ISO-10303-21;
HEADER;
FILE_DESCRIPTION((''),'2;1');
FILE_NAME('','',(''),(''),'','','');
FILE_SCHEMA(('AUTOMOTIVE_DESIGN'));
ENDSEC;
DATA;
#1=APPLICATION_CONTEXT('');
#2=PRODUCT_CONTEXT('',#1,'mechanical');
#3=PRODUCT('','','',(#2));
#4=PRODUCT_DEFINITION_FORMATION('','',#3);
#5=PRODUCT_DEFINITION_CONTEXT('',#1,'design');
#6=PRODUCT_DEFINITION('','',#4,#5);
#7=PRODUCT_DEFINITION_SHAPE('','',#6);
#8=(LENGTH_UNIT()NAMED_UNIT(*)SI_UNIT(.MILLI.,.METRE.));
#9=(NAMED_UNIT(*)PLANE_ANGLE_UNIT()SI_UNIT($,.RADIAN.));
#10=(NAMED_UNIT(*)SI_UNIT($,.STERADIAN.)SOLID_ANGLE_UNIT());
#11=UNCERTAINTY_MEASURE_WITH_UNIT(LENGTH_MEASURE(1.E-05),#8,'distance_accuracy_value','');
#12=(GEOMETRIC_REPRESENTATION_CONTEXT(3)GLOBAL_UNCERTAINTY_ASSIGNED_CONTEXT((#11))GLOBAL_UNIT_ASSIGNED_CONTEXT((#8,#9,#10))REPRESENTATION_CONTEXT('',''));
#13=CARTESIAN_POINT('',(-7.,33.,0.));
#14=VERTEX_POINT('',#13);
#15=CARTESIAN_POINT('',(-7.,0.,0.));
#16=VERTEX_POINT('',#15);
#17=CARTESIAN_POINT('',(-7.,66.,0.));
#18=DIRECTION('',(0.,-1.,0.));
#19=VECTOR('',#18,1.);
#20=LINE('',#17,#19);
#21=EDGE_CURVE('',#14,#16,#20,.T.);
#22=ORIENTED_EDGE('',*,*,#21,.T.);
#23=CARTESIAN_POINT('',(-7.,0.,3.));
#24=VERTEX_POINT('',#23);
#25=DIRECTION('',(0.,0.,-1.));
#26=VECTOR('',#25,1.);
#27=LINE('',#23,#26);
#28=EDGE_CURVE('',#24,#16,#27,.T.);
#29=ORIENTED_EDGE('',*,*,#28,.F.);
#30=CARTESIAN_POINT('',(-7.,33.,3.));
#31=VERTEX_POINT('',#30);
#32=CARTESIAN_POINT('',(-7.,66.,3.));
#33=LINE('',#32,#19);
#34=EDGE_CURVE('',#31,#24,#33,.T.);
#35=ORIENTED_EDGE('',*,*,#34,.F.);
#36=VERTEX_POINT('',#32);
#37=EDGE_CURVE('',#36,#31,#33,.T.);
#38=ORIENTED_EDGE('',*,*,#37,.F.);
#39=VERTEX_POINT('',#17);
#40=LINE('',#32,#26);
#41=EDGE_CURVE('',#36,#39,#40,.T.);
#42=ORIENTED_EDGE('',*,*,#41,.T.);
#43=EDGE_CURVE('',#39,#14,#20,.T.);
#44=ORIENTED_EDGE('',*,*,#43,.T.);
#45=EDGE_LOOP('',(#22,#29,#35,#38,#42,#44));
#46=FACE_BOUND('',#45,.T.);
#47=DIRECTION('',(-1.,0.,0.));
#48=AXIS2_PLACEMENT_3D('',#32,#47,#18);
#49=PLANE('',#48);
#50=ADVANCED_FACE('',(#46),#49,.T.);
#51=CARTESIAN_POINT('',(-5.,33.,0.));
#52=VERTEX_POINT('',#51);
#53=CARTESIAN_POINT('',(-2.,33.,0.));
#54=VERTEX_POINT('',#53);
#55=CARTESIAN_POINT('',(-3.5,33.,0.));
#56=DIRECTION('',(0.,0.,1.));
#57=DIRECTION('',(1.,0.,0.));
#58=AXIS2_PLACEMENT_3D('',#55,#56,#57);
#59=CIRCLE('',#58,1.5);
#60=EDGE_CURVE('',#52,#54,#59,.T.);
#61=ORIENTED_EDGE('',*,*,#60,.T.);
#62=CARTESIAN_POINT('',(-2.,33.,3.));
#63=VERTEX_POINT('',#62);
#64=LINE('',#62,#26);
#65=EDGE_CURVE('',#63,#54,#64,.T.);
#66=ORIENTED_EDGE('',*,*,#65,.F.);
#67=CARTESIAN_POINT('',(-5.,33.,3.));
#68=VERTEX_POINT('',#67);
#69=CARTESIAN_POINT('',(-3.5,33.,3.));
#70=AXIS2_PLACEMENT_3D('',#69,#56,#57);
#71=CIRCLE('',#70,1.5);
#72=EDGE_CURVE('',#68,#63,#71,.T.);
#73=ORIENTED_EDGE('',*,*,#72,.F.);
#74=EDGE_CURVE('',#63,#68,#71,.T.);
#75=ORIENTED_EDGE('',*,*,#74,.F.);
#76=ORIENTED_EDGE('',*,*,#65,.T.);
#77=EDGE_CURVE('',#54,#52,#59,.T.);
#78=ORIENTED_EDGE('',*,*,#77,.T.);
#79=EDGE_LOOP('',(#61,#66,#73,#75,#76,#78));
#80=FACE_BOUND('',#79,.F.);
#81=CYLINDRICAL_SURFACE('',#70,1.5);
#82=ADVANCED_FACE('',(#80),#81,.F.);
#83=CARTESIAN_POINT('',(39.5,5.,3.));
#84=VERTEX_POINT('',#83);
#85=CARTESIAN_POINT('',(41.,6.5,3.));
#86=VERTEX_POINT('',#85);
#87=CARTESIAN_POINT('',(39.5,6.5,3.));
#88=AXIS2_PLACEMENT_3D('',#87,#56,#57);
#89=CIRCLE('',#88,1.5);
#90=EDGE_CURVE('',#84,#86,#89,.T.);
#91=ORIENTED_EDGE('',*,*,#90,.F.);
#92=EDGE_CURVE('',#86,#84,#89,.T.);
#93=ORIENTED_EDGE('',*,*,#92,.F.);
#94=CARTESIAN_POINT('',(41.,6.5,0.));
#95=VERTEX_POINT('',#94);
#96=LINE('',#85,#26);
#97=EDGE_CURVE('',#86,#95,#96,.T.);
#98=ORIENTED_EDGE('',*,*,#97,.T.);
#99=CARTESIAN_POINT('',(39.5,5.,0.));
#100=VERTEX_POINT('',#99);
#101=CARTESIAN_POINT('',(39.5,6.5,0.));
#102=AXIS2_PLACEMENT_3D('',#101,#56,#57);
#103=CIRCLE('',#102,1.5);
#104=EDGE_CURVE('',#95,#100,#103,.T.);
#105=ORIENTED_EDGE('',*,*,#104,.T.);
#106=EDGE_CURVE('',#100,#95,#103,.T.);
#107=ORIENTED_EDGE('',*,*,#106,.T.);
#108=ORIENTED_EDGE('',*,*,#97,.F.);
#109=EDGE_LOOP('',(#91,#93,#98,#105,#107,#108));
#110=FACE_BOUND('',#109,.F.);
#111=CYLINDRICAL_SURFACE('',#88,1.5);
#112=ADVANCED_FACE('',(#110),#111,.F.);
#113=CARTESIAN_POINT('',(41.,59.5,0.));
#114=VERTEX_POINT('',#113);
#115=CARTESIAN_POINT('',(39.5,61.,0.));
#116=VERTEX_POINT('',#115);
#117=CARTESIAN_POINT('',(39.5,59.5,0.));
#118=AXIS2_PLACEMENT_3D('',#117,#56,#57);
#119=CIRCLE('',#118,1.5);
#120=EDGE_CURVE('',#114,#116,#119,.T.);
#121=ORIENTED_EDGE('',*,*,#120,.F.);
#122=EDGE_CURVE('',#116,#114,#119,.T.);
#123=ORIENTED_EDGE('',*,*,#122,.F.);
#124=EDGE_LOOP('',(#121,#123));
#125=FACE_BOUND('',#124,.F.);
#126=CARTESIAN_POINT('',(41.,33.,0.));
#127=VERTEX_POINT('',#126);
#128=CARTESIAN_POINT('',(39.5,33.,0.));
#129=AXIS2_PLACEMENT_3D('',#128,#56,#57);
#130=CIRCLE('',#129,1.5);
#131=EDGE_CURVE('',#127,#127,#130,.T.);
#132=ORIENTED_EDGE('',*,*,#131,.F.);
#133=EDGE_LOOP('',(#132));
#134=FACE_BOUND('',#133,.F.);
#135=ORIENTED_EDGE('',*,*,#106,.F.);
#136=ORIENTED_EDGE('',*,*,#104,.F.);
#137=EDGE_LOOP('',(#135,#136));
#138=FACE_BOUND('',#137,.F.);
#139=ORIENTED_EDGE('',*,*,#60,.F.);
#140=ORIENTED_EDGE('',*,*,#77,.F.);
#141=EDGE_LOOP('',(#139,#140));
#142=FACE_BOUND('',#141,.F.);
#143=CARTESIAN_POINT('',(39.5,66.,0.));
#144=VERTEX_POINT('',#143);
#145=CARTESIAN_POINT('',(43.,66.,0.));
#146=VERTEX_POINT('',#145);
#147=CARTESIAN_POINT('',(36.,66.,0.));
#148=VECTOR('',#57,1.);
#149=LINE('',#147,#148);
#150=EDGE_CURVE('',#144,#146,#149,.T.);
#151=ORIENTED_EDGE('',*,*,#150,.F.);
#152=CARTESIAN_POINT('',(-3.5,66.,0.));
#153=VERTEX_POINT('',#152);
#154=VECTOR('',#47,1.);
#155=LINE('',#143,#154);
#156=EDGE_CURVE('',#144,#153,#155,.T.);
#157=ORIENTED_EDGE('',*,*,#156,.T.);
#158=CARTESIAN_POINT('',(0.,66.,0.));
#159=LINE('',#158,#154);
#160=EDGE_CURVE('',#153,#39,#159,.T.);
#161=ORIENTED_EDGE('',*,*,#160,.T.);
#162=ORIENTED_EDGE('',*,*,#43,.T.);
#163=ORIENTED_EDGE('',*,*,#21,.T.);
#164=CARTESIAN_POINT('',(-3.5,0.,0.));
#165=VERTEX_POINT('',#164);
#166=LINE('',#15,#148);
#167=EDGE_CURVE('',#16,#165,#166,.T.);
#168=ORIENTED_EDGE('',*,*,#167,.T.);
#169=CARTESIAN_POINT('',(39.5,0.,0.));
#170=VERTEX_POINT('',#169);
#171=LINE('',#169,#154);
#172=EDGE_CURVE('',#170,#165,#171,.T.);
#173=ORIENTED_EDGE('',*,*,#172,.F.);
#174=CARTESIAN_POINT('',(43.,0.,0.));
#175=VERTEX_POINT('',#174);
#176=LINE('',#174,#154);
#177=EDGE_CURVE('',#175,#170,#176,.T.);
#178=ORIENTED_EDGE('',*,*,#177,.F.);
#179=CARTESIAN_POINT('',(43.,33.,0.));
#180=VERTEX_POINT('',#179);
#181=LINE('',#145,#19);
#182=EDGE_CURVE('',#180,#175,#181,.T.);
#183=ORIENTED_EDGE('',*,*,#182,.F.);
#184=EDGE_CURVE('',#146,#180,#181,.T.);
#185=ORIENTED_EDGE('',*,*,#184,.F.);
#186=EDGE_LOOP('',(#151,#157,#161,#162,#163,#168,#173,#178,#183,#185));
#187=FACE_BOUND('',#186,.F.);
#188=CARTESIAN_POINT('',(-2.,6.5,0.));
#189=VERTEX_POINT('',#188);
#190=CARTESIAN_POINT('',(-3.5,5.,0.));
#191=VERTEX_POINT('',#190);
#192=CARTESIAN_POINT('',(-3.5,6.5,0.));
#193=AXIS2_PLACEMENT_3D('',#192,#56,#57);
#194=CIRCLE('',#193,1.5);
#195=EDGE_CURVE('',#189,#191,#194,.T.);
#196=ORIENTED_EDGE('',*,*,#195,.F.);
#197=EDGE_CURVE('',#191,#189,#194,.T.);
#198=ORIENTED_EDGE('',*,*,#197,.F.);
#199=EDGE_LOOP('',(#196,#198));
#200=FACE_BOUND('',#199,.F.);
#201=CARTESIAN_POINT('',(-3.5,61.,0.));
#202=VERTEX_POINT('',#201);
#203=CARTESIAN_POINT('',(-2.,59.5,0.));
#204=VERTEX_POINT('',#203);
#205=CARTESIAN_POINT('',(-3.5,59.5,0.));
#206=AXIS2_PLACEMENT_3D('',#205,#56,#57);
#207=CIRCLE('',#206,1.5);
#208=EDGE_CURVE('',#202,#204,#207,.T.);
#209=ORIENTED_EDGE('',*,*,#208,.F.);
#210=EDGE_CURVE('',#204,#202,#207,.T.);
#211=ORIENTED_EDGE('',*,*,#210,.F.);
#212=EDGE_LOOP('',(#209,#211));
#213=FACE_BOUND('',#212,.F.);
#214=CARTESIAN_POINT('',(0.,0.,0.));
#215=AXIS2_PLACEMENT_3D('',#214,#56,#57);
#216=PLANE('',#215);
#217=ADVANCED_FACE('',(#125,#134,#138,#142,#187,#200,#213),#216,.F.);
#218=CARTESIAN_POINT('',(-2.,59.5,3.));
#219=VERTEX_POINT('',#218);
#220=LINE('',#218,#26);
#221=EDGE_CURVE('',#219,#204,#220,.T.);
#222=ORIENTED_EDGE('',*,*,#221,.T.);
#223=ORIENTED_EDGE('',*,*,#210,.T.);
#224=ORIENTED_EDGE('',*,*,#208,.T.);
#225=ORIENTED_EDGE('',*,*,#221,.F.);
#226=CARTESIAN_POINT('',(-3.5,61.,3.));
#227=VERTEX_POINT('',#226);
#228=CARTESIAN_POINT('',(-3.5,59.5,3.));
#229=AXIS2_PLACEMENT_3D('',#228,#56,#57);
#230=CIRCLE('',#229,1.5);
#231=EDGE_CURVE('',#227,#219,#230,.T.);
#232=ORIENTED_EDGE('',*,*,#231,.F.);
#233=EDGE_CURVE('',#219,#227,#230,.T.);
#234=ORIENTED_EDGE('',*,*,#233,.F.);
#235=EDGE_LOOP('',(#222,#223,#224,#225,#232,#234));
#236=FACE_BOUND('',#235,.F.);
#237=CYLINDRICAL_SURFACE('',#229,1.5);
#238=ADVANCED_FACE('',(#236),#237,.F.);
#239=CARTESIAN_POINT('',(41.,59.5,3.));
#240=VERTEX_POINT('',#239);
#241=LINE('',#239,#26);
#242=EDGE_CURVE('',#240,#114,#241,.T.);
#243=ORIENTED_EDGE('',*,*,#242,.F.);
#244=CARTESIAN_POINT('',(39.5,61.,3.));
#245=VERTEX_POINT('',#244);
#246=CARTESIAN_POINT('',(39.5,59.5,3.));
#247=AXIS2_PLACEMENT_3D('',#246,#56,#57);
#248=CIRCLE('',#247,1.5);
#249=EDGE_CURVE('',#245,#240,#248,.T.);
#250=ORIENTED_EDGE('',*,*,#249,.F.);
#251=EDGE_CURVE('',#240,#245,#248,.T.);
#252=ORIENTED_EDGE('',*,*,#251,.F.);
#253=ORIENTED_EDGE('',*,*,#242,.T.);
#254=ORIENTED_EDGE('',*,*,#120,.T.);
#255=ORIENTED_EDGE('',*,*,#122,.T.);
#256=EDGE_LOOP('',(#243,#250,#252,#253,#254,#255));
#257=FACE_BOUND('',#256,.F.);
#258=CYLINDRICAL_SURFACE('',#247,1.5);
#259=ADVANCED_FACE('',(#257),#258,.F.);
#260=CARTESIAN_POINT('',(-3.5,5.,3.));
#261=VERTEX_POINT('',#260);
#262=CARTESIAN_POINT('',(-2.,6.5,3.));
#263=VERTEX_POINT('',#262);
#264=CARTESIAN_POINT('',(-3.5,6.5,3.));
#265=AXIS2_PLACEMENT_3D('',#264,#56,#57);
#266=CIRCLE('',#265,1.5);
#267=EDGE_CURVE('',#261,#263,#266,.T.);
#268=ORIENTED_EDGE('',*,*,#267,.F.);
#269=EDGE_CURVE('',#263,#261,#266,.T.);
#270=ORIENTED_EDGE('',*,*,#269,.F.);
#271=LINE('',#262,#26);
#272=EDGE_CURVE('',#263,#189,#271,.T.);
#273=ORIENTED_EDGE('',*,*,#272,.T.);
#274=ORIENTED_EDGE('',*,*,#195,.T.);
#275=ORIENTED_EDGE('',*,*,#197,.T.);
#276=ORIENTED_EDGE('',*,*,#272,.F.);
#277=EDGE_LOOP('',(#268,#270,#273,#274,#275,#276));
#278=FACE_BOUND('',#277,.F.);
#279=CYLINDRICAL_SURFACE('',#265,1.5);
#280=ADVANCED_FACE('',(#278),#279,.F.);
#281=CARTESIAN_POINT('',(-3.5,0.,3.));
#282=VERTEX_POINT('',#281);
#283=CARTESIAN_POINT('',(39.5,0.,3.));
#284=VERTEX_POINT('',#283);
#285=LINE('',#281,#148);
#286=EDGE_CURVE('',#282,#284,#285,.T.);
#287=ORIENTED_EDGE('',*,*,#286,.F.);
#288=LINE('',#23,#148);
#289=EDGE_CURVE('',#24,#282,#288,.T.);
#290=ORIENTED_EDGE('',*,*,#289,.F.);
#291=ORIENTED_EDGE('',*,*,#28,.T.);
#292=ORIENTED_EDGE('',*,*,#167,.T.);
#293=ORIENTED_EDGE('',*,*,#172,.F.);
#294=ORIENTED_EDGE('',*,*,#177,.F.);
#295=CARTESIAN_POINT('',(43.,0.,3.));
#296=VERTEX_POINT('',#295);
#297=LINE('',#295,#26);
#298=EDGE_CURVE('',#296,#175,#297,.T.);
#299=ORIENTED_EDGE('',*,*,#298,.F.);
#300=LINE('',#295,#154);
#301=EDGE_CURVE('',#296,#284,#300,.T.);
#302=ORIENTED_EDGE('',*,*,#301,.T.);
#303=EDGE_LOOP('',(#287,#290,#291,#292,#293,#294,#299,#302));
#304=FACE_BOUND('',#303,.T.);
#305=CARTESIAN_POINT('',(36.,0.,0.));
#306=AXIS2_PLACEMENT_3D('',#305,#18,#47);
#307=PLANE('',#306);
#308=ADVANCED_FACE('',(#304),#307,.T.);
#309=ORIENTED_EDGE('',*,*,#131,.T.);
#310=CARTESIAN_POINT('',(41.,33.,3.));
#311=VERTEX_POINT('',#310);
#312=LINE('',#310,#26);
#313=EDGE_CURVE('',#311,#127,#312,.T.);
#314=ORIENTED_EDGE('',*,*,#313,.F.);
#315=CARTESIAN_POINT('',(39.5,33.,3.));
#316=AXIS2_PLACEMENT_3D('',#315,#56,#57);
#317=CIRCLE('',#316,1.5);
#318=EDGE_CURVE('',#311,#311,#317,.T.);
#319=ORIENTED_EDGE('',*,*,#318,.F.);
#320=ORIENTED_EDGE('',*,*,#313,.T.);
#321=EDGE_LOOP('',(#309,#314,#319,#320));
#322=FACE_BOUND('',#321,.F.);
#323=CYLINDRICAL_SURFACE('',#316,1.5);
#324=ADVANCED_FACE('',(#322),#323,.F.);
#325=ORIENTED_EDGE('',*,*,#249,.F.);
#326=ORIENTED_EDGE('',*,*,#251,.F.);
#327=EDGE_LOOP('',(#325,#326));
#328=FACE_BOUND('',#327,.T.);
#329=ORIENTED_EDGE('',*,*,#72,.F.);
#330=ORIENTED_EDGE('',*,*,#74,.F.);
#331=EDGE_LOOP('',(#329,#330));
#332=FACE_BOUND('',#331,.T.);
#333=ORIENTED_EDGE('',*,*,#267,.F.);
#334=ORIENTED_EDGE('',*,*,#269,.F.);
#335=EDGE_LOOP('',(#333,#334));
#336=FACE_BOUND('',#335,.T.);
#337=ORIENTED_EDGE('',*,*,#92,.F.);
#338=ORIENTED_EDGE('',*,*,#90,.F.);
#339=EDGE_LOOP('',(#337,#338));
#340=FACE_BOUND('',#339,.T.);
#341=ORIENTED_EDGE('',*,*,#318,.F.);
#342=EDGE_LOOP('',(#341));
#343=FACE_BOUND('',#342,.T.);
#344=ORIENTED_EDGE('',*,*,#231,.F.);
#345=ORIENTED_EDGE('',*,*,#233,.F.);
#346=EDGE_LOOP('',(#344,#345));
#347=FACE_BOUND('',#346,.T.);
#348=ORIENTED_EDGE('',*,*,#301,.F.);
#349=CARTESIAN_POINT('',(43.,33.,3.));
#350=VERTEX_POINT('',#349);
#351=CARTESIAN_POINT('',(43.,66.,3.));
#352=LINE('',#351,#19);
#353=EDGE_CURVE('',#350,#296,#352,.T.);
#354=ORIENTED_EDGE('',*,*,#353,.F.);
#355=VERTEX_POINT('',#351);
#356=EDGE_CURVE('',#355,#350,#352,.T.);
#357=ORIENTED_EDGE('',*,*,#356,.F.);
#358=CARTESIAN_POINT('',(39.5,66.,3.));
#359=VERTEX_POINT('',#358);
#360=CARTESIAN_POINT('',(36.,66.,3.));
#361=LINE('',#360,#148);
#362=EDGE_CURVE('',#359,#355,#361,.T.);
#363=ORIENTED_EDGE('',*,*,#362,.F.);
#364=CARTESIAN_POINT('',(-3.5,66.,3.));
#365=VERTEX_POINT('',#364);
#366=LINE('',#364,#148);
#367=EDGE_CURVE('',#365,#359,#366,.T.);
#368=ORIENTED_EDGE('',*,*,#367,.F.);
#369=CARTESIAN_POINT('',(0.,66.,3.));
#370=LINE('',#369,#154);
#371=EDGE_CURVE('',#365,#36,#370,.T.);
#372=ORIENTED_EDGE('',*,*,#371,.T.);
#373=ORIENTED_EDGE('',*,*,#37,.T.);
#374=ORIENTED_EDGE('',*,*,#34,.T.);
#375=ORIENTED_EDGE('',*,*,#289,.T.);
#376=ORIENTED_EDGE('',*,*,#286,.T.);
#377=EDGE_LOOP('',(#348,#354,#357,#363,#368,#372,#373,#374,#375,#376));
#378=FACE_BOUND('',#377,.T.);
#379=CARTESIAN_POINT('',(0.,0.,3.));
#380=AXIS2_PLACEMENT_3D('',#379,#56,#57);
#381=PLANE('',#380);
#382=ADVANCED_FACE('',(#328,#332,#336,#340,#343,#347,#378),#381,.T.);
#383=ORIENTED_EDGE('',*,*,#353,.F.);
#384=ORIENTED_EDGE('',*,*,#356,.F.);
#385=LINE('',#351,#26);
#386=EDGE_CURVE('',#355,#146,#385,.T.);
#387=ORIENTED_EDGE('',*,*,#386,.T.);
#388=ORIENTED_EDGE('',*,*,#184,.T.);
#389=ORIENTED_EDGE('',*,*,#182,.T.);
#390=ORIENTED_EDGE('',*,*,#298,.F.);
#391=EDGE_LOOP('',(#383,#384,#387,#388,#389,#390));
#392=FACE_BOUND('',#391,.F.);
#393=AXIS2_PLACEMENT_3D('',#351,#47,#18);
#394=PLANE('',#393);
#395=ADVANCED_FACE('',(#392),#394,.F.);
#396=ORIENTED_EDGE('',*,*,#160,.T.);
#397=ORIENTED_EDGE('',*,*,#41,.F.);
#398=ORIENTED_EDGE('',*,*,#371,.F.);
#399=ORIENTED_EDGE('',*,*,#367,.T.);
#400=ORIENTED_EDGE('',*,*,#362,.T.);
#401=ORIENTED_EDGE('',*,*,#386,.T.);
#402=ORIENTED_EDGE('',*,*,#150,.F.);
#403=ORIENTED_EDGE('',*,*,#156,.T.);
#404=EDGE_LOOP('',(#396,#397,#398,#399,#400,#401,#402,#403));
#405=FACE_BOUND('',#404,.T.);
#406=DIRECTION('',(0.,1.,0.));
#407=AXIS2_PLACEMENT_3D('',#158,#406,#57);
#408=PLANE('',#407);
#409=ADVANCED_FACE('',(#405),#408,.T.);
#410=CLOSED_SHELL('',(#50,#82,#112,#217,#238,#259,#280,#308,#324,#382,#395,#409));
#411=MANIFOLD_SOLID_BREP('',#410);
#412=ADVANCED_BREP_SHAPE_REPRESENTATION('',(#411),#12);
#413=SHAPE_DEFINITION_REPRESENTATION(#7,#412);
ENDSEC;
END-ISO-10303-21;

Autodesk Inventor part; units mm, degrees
ref_plane "YZ Plane" through (0, 0, 0) normal (1, 0, 0) x (0, 1, 0)
ref_plane "XZ Plane" through (0, 0, 0) normal (0, 1, 0) x (-1, 0, 0)
ref_plane "XY Plane" through (0, 0, 0) normal (0, 0, 1) x (1, 0, 0)
sketch "Sketch1" plane through (0, 0, 0) normal (0, 0, 1) x (1, 0, 0)
  line L0 (0, 0) -> (0, 66)
  line L1 (0, 66) -> (36, 66)
  line L2 (36, 66) -> (36, 0)
  line L3 (36, 0) -> (0, 0)
  dimension "d0" = 66
  dimension "d1" = 36
extrude "Extrusion1" add sketch "Sketch1" along normal blind 3
sketch "Sketch2" plane through (0, 0, 3) normal (0, 0, 1) x (1, 0, 0)
  line L0 (36, 66) -> (0, 66) projected
  line L1 (36, 66) -> (43, 66)
  line L2 (43, 66) -> (43, 0)
  line L3 (36, 0) -> (36, 66) projected
  line L4 (43, 0) -> (36, 0)
  line L5 (39.5, 66) -> (39.5, 59.5)
  line L6 (39.5, 0) -> (39.5, 6.5)
  line L7 (43, 33) -> (39.5, 33)
  circle A0 centre (39.5, 33) radius 1.5
  circle A1 centre (39.5, 59.5) radius 1.5
  circle A2 centre (39.5, 6.5) radius 1.5
  line L8 (18, 66) -> (18, 77.4734)
  line L9 (0, 66) -> (-7, 66)
  line L10 (-7, 66) -> (-7, 0)
  line L11 (-7, 0) -> (0, 0)
  line L12 (-3.5, 66) -> (-3.5, 59.5)
  line L13 (-3.5, 0) -> (-3.5, 6.5)
  line L14 (-7, 33) -> (-3.5, 33)
  circle A3 centre (-3.5, 33) radius 1.5
  circle A4 centre (-3.5, 59.5) radius 1.5
  circle A5 centre (-3.5, 6.5) radius 1.5
  line L15 (36, 0) -> (36, 66) projected
  line L16 (36, 66) -> (0, 66) projected
  line L17 (0, 66) -> (0, 0) projected
  line L18 (0, 0) -> (36, 0) projected
  dimension "d4" = 7
  dimension "d5" = 6.5
  dimension "d6" = 6.5
  dimension "d7" = 3
  dimension "d8" = 3
  dimension "d9" = 3
extrude "Extrusion2" add sketch "Sketch2" against normal blind 3 contours L1 L2 L4 L3 | L17 L11 L10 L9
properties part number "middle steel plate"
